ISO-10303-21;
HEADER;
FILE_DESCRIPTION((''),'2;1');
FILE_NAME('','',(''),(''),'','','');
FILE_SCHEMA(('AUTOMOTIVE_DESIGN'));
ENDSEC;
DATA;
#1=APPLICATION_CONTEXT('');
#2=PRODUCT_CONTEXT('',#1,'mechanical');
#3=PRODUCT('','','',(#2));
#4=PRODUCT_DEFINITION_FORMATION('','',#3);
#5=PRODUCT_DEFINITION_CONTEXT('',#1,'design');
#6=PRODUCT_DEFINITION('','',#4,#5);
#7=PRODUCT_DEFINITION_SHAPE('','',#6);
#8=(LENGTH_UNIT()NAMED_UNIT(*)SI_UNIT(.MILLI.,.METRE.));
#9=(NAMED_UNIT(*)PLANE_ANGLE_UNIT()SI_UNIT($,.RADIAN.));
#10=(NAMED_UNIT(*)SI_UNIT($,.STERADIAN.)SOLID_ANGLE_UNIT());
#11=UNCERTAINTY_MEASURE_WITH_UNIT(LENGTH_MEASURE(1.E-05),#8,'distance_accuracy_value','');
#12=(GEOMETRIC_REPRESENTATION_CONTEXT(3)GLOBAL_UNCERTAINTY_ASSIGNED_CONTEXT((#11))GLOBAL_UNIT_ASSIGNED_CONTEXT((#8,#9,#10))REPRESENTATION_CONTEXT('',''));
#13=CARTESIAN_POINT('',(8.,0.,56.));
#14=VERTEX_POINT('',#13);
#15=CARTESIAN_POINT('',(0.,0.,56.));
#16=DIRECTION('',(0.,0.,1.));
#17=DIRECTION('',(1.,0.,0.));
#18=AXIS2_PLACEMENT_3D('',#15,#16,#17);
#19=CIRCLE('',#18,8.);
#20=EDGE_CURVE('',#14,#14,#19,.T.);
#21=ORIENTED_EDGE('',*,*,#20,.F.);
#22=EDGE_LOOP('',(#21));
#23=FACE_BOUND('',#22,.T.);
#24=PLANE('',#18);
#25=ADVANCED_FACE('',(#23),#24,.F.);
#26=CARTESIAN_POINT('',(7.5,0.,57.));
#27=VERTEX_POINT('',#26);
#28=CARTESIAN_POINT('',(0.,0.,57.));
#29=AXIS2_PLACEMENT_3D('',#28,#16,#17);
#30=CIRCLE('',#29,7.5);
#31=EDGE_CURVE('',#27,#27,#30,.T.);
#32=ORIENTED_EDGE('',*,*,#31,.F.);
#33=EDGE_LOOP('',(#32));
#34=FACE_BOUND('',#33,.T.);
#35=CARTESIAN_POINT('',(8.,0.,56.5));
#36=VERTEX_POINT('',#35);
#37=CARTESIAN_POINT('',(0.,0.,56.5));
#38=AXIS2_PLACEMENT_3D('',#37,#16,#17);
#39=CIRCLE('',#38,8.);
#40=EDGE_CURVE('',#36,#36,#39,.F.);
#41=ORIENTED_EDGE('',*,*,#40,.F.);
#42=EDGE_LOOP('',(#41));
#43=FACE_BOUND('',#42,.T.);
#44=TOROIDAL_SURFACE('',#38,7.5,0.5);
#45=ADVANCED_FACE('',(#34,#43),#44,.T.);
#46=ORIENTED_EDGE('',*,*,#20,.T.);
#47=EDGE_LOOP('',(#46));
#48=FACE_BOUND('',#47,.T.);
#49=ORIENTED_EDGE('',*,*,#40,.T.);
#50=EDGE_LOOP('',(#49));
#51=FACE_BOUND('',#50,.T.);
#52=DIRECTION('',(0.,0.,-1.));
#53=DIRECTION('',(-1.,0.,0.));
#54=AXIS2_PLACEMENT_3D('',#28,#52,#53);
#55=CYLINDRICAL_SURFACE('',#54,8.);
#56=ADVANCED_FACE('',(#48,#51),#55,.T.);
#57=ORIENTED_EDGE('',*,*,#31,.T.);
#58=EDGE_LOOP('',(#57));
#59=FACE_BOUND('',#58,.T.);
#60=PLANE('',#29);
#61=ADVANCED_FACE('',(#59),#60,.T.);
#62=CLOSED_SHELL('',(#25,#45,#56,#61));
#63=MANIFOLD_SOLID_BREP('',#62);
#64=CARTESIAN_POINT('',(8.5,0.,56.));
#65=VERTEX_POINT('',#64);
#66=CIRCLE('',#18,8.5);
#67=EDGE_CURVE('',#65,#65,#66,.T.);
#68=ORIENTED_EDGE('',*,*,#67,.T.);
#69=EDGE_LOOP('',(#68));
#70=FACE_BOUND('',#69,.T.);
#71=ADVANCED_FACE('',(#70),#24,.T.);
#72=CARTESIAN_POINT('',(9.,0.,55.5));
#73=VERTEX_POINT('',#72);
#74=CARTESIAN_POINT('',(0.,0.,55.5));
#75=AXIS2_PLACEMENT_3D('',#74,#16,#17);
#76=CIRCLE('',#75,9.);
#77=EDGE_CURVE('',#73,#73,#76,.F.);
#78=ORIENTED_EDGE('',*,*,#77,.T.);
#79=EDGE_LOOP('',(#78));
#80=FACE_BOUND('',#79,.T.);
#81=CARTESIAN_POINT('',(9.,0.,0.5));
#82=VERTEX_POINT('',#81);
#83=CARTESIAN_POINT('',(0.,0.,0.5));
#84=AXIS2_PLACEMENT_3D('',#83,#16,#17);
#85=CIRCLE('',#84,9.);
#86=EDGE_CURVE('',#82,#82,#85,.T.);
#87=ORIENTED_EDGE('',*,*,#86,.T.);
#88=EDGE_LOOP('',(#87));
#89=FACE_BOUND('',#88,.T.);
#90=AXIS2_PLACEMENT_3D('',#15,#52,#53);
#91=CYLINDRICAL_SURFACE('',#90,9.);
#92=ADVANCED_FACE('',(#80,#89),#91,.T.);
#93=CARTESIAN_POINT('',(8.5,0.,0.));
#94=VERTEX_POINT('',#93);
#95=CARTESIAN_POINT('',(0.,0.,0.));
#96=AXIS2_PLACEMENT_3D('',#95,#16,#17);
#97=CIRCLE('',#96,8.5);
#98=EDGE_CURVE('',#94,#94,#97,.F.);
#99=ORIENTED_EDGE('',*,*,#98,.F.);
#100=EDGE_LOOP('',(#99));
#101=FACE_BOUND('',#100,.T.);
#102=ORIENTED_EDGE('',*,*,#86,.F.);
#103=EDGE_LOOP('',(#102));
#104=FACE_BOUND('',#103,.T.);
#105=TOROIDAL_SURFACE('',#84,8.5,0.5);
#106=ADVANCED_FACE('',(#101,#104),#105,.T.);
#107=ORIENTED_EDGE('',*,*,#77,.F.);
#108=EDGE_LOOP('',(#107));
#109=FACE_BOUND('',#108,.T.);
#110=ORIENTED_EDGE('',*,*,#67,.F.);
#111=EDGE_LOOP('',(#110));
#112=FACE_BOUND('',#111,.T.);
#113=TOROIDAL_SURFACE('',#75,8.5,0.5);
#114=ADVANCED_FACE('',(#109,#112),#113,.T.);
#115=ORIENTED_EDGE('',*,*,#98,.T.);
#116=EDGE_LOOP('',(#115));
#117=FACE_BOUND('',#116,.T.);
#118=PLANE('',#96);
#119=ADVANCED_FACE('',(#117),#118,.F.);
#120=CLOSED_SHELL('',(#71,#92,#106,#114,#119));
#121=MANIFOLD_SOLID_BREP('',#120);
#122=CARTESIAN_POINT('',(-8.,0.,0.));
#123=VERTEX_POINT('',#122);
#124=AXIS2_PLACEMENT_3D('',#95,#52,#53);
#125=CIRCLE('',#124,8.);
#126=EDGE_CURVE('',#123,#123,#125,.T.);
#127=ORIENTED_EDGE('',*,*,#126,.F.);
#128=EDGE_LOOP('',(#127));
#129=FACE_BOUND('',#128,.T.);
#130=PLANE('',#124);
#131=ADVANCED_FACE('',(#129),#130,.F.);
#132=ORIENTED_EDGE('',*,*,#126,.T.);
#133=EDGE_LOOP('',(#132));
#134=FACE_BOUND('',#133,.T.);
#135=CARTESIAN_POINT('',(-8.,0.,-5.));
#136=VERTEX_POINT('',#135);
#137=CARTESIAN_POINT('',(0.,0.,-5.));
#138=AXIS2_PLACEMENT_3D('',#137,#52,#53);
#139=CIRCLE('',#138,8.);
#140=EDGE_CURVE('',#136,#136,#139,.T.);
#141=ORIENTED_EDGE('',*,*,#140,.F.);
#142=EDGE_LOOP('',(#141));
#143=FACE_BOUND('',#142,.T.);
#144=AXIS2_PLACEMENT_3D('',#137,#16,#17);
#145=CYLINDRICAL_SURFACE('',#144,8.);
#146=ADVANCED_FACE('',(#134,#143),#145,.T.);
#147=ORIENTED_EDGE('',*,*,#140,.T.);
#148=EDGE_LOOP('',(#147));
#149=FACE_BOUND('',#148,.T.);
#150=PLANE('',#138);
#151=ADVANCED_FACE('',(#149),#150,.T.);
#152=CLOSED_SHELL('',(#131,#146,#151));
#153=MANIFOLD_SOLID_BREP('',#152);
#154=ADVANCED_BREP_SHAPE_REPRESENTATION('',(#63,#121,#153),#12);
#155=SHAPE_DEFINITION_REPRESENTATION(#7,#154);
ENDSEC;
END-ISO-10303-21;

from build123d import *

# Parameters (mm, degrees)
ESQUISSE1_R        = 9
BOSS_EXTRU_1_DEPTH = 56
ESQUISSE2_R        = 8
BOSS_EXTRU_2_DEPTH = 1
ESQUISSE3_R        = 8
BOSS_EXTRU_3_DEPTH = 5
CONG_1_R           = 0.5
CONG_2_R           = 0.5
CONG_3_R           = 0.5


with BuildPart() as part:
    # Esquisse1 → Boss.-Extru.1 (new body)
    with BuildSketch(Plane.XY):
        Circle(ESQUISSE1_R)
    extrude(amount=BOSS_EXTRU_1_DEPTH)

    # Congé2
    cong_2_edges = [part.edges().sort_by_distance(p)[0] for p in [
        (-9, 0, 56),
    ]]
    fillet(cong_2_edges, radius=CONG_2_R)

    # Congé3
    cong_3_edges = [part.edges().sort_by_distance(p)[0] for p in [
        (-9, 0, 0),
    ]]
    fillet(cong_3_edges, radius=CONG_3_R)


with BuildPart() as body_2:
    # Esquisse2 → Boss.-Extru.2 (new body)
    with BuildSketch(Plane.XY.offset(56)):
        Circle(ESQUISSE2_R)
    extrude(amount=BOSS_EXTRU_2_DEPTH)

    # Congé1
    cong_1_edges = [body_2.edges().sort_by_distance(p)[0] for p in [
        (-8, 0, 57),
    ]]
    fillet(cong_1_edges, radius=CONG_1_R)


with BuildPart() as body_3:
    # Esquisse3 → Boss.-Extru.3 (new body)
    with BuildSketch(Plane(origin=(0, 0, 0), x_dir=(-1, 0, 0), z_dir=(0, 0, -1))):
        Circle(ESQUISSE3_R)
    extrude(amount=BOSS_EXTRU_3_DEPTH)


solid = Compound([part.part, body_2.part, body_3.part])
